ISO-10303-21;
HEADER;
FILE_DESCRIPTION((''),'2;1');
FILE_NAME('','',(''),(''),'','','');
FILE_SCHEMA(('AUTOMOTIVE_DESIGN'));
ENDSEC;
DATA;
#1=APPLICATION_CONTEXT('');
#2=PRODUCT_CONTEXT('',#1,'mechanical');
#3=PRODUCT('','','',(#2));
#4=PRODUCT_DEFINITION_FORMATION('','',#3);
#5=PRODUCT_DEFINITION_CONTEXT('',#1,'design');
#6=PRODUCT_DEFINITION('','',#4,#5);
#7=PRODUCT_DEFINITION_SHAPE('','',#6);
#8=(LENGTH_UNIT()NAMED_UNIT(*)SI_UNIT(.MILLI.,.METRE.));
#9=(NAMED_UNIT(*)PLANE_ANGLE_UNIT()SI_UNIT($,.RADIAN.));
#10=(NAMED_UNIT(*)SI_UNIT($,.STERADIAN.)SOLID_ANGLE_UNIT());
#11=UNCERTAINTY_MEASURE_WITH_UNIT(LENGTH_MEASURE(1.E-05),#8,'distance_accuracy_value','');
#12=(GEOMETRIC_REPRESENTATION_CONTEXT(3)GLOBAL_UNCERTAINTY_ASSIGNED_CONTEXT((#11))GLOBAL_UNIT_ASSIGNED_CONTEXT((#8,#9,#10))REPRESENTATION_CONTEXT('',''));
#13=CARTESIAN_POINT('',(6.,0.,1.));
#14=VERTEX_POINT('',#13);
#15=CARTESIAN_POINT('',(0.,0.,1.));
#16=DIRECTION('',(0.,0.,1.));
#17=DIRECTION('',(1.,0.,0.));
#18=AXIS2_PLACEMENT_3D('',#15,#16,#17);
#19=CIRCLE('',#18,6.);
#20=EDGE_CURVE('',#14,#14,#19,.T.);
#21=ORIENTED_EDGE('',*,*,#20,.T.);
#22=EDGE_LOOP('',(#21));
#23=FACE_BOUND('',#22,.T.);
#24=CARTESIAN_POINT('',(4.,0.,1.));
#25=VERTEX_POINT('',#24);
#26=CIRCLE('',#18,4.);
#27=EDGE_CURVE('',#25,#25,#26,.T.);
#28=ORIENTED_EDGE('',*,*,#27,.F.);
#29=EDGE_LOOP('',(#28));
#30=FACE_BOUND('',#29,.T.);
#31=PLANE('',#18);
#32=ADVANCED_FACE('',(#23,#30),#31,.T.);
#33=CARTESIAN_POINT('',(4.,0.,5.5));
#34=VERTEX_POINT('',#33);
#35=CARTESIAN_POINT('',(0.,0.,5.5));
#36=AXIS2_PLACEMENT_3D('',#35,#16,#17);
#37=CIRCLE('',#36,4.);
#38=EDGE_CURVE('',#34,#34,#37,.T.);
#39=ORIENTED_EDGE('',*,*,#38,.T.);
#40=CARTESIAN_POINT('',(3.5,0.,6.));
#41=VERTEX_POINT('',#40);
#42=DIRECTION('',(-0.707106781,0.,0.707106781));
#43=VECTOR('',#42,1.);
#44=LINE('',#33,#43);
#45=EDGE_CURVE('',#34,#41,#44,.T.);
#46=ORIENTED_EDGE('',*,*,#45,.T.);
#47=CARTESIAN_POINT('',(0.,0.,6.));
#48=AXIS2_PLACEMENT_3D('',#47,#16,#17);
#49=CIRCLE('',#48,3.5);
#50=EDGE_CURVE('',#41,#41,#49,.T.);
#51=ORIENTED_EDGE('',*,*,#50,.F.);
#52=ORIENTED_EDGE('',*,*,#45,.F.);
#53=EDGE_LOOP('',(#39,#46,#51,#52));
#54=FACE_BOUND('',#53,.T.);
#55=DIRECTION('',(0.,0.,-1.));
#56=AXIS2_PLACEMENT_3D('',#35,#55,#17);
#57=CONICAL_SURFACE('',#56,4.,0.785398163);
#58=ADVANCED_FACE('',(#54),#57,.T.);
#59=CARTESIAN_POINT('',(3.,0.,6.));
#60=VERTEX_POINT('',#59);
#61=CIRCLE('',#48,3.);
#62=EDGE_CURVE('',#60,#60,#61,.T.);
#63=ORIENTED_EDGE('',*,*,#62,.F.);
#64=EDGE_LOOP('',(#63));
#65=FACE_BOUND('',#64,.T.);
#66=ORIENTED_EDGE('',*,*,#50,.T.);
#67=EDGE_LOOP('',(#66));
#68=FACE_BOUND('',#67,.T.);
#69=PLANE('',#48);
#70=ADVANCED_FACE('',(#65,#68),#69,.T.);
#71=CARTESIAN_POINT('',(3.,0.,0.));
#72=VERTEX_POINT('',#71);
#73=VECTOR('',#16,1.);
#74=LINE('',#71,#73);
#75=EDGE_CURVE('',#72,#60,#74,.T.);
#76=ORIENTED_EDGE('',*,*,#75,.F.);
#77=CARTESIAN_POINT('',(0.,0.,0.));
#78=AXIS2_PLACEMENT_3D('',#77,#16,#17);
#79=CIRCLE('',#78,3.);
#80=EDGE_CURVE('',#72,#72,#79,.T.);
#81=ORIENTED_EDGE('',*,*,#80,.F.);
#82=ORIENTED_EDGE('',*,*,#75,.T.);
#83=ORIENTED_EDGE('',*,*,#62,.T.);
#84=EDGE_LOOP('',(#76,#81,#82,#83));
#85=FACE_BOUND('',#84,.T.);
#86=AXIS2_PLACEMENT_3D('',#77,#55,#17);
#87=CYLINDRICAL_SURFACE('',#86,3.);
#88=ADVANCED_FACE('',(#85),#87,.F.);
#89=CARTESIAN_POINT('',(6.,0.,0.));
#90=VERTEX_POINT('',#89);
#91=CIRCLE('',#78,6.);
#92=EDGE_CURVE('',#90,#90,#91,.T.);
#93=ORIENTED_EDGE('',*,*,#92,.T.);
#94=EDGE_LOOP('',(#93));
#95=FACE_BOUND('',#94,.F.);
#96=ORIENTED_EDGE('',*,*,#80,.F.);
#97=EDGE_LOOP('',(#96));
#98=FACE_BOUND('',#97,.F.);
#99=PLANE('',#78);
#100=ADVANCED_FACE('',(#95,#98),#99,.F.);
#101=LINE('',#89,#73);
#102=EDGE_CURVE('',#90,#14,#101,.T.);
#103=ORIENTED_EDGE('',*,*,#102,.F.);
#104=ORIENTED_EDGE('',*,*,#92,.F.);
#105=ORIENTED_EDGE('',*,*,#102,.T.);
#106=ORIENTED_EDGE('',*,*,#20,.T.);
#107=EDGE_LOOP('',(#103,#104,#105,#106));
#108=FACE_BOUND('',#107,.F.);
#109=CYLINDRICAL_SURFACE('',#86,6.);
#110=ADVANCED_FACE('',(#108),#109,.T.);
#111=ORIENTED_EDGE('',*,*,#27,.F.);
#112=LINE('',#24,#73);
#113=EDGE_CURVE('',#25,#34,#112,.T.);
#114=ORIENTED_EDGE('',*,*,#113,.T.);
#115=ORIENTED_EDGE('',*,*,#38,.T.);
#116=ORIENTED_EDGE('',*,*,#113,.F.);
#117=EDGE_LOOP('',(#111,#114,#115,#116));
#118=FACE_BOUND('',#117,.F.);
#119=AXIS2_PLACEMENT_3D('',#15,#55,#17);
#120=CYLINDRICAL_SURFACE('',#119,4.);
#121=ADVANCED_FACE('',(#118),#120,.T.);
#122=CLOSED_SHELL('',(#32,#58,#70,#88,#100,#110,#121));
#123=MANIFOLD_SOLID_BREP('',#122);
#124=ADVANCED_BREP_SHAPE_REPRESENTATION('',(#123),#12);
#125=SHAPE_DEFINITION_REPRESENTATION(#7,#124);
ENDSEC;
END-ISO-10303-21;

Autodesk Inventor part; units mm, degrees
ref_plane "YZ Plane" through (0, 0, 0) normal (1, 0, 0) x (0, 1, 0)
ref_plane "XZ Plane" through (0, 0, 0) normal (0, 1, 0) x (-1, 0, 0)
ref_plane "XY Plane" through (0, 0, 0) normal (0, 0, 1) x (1, 0, 0)
sketch "スケッチ1" plane through (0, 0, 0) normal (0, 0, 1) x (1, 0, 0)
  circle A0 centre (0, 0) radius 6
  circle A1 centre (0, 0) radius 3
  dimension "d0" = 12
  dimension "d1" = 6
extrude "押し出し1" add sketch "スケッチ1" along normal blind 1
sketch "スケッチ2" plane through (0, 0, 1) normal (0, 0, 1) x (1, 0, 0)
  circle A0 centre (0, 0) radius 6 projected
  circle A1 centre (0, 0) radius 3 projected
  circle A2 centre (0, 0) radius 4
  dimension "d4" = 8
extrude "押し出し2" add sketch "スケッチ2" along normal blind 5 contours A2
chamfer "面取り1" distance 0.5 angle 45 1 edges at (-4, 0, 6)
properties part number "オイレスw5f6-10a" material "アセタール樹脂、黒"
